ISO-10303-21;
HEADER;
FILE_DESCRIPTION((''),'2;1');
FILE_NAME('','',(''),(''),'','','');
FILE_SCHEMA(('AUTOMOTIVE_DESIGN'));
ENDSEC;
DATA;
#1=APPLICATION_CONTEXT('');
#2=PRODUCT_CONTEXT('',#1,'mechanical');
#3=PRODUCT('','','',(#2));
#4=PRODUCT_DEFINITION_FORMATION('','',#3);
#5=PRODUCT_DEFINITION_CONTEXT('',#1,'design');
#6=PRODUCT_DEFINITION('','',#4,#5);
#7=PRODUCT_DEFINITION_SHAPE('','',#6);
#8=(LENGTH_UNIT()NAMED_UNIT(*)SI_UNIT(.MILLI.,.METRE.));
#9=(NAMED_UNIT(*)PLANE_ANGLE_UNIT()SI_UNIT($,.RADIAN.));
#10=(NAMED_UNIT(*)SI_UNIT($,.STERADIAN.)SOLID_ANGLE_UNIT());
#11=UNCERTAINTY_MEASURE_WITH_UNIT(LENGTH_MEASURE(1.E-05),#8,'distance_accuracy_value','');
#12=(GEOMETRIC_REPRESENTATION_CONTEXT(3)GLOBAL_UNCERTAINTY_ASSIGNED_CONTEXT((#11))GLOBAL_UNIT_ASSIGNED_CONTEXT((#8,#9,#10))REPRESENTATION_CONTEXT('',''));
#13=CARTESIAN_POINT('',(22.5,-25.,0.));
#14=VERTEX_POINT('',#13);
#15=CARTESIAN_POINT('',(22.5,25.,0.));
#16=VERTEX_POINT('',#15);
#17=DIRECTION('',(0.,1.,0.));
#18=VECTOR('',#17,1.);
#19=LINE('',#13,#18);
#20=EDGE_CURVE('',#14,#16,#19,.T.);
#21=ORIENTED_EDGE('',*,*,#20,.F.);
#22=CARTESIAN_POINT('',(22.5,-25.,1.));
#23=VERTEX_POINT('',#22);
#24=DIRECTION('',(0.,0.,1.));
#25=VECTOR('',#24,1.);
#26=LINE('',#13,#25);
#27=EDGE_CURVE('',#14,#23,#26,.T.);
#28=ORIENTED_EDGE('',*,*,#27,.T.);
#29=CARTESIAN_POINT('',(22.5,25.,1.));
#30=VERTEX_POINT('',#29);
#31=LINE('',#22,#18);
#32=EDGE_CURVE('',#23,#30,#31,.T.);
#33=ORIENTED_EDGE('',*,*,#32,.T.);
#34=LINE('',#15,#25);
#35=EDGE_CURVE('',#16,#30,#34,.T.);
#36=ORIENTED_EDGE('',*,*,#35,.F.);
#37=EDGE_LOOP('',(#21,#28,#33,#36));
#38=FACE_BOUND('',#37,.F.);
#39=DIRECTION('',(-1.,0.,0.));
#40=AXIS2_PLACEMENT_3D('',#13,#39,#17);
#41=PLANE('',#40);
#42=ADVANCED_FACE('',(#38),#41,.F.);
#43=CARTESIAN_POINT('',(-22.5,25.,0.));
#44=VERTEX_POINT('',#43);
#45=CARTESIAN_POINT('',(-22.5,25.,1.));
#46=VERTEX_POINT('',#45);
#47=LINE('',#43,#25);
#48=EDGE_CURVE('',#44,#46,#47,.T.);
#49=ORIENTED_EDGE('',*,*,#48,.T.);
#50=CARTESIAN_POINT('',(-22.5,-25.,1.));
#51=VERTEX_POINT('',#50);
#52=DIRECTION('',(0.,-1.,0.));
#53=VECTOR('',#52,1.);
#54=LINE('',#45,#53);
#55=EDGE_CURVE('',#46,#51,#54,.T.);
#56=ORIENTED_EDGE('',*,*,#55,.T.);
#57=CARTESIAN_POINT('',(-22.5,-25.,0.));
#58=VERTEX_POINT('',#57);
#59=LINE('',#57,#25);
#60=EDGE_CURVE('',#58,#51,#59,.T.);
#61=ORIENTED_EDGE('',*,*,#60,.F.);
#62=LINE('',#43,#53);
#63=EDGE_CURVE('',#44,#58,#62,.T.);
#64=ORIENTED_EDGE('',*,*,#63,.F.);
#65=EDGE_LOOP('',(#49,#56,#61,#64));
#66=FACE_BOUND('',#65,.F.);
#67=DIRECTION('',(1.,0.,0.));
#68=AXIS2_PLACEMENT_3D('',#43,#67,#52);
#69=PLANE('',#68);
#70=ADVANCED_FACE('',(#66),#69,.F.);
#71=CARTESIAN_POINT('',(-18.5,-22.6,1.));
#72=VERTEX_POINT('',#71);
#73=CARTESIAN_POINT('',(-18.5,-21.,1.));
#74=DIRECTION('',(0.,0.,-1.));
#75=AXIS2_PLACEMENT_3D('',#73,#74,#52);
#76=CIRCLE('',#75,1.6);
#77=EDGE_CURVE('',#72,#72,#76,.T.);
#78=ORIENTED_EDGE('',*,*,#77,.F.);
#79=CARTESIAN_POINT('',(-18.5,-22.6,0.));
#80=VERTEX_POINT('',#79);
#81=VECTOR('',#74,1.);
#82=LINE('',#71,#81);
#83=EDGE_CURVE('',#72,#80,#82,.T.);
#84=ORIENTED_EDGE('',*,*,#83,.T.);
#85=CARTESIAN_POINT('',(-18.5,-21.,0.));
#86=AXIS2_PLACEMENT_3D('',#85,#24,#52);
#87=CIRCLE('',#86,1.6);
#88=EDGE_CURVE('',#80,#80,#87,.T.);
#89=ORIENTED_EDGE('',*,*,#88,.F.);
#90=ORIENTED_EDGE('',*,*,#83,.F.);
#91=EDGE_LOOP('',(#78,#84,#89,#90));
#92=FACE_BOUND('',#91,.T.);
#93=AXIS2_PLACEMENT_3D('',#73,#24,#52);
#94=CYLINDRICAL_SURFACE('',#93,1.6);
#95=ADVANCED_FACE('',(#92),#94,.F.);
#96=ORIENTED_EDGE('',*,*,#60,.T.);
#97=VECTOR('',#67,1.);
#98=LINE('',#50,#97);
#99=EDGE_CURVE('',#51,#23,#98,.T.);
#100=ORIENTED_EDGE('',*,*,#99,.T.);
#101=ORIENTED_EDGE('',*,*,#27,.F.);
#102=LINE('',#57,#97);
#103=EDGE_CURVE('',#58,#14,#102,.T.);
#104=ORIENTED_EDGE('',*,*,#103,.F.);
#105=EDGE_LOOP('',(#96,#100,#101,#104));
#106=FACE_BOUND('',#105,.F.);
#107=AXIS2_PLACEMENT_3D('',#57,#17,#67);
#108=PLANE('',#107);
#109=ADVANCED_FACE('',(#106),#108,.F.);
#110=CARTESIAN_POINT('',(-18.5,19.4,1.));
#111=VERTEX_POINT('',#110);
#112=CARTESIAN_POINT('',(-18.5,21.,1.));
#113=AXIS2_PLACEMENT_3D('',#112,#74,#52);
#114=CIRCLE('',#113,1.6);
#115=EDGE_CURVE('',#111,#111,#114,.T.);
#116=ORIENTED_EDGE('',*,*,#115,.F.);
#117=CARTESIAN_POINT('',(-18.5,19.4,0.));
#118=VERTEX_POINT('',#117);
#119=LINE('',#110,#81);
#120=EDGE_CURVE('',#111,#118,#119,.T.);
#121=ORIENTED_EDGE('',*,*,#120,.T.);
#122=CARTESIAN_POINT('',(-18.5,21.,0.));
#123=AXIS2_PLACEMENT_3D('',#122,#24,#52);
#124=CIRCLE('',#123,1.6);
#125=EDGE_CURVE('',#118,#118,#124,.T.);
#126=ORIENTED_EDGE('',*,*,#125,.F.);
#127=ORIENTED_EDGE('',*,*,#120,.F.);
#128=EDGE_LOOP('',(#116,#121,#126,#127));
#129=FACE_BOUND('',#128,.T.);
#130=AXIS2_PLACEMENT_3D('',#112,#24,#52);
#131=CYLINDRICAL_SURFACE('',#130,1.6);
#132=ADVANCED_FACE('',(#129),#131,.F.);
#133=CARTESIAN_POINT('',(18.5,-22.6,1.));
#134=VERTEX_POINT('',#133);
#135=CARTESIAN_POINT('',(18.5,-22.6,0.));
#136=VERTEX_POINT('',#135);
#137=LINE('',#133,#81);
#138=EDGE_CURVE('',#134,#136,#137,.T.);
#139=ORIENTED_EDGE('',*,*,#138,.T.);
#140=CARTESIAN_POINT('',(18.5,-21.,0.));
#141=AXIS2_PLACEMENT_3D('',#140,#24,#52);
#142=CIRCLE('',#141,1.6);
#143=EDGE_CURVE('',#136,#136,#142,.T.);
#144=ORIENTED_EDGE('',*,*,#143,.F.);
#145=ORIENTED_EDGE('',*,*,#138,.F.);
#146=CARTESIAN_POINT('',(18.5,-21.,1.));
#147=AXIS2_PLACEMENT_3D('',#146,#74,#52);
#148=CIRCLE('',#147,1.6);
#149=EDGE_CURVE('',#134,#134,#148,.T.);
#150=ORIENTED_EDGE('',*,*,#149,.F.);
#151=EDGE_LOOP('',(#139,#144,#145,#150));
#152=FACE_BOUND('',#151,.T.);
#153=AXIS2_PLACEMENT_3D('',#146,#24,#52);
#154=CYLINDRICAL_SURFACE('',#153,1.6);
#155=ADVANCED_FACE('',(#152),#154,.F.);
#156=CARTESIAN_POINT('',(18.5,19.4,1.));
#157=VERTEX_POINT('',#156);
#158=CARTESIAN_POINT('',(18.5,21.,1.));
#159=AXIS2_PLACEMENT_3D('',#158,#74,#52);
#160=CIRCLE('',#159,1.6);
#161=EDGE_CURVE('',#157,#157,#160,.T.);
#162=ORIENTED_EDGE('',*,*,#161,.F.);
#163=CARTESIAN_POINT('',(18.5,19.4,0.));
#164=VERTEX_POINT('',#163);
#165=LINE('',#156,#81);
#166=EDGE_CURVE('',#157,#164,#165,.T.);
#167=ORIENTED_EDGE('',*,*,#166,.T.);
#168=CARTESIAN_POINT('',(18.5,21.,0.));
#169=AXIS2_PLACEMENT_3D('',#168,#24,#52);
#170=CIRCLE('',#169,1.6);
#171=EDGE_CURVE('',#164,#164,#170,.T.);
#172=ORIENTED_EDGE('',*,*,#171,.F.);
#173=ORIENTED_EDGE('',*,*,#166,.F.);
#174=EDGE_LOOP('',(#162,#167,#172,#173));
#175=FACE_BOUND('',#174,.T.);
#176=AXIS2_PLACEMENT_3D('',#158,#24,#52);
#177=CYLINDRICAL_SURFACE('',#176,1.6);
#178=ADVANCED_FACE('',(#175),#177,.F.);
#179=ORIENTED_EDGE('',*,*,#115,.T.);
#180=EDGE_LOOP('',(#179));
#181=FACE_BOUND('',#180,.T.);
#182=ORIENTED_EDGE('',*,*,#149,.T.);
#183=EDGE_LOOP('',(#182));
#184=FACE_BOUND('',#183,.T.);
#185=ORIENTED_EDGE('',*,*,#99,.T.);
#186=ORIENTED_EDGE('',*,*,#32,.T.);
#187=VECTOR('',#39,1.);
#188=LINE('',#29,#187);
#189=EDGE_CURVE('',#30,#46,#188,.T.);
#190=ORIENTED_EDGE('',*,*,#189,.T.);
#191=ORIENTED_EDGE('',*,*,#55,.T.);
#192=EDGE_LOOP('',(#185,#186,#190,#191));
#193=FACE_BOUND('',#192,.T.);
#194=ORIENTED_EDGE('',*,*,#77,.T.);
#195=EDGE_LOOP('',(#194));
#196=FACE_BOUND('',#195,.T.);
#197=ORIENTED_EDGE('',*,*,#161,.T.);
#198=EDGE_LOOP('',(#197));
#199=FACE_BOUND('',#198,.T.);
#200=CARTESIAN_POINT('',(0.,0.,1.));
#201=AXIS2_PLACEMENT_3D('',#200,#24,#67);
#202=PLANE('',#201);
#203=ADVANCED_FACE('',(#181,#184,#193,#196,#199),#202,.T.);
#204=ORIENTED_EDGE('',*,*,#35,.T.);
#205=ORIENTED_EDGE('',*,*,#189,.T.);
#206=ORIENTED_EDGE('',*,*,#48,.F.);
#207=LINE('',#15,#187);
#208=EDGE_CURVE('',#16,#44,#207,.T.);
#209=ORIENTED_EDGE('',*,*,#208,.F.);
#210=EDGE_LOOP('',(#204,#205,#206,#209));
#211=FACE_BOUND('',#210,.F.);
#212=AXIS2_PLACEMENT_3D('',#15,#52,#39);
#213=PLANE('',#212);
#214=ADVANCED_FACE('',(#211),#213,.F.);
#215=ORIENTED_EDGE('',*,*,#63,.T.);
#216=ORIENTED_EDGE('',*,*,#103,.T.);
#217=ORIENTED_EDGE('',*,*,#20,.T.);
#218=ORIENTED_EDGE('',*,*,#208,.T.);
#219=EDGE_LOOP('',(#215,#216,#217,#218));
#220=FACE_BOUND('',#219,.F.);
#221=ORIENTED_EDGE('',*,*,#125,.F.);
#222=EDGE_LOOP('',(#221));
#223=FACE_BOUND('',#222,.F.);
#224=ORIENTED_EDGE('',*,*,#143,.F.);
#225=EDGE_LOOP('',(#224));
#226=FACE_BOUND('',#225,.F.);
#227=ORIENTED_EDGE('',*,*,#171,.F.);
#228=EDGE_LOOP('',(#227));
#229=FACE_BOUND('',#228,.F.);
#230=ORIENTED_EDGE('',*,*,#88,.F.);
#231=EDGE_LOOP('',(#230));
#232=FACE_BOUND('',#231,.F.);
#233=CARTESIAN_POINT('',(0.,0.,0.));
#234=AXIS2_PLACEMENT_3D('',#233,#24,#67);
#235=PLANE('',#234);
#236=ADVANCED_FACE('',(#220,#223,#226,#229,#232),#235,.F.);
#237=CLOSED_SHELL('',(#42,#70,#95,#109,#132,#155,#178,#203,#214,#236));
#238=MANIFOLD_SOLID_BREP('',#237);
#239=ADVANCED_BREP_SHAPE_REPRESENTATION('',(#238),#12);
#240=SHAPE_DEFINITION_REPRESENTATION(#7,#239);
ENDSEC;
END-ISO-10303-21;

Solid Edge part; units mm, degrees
sketch "Sketch1" plane through (0, 0, 0) normal (0, 0, 1) x (1, 0, 0)
  line L0 (-22.5, -25) -> (22.5, -25)
  line L1 (22.5, -25) -> (22.5, 25)
  line L2 (22.5, 25) -> (-22.5, 25)
  line L3 (-22.5, 25) -> (-22.5, -25)
  dimension "D1" = 45
  dimension "D2" = 50
extrude "Protrusion1" add sketch "Sketch1" along normal blind 1
hole "Hole_1" at (-18.5, 21, 1) direction (0, 0, -1) diameter 3.2 end up to next
hole "Hole1" at (18.5, 21, 1) direction (0, 0, -1) diameter 3.2 end up to next
hole "Hole2" at (18.5, -21, 1) direction (0, 0, -1) diameter 3.2 end up to next
hole "Hole3" at (-18.5, -21, 1) direction (0, 0, -1) diameter 3.2 end up to next
properties material "Polyethylene, low density"
